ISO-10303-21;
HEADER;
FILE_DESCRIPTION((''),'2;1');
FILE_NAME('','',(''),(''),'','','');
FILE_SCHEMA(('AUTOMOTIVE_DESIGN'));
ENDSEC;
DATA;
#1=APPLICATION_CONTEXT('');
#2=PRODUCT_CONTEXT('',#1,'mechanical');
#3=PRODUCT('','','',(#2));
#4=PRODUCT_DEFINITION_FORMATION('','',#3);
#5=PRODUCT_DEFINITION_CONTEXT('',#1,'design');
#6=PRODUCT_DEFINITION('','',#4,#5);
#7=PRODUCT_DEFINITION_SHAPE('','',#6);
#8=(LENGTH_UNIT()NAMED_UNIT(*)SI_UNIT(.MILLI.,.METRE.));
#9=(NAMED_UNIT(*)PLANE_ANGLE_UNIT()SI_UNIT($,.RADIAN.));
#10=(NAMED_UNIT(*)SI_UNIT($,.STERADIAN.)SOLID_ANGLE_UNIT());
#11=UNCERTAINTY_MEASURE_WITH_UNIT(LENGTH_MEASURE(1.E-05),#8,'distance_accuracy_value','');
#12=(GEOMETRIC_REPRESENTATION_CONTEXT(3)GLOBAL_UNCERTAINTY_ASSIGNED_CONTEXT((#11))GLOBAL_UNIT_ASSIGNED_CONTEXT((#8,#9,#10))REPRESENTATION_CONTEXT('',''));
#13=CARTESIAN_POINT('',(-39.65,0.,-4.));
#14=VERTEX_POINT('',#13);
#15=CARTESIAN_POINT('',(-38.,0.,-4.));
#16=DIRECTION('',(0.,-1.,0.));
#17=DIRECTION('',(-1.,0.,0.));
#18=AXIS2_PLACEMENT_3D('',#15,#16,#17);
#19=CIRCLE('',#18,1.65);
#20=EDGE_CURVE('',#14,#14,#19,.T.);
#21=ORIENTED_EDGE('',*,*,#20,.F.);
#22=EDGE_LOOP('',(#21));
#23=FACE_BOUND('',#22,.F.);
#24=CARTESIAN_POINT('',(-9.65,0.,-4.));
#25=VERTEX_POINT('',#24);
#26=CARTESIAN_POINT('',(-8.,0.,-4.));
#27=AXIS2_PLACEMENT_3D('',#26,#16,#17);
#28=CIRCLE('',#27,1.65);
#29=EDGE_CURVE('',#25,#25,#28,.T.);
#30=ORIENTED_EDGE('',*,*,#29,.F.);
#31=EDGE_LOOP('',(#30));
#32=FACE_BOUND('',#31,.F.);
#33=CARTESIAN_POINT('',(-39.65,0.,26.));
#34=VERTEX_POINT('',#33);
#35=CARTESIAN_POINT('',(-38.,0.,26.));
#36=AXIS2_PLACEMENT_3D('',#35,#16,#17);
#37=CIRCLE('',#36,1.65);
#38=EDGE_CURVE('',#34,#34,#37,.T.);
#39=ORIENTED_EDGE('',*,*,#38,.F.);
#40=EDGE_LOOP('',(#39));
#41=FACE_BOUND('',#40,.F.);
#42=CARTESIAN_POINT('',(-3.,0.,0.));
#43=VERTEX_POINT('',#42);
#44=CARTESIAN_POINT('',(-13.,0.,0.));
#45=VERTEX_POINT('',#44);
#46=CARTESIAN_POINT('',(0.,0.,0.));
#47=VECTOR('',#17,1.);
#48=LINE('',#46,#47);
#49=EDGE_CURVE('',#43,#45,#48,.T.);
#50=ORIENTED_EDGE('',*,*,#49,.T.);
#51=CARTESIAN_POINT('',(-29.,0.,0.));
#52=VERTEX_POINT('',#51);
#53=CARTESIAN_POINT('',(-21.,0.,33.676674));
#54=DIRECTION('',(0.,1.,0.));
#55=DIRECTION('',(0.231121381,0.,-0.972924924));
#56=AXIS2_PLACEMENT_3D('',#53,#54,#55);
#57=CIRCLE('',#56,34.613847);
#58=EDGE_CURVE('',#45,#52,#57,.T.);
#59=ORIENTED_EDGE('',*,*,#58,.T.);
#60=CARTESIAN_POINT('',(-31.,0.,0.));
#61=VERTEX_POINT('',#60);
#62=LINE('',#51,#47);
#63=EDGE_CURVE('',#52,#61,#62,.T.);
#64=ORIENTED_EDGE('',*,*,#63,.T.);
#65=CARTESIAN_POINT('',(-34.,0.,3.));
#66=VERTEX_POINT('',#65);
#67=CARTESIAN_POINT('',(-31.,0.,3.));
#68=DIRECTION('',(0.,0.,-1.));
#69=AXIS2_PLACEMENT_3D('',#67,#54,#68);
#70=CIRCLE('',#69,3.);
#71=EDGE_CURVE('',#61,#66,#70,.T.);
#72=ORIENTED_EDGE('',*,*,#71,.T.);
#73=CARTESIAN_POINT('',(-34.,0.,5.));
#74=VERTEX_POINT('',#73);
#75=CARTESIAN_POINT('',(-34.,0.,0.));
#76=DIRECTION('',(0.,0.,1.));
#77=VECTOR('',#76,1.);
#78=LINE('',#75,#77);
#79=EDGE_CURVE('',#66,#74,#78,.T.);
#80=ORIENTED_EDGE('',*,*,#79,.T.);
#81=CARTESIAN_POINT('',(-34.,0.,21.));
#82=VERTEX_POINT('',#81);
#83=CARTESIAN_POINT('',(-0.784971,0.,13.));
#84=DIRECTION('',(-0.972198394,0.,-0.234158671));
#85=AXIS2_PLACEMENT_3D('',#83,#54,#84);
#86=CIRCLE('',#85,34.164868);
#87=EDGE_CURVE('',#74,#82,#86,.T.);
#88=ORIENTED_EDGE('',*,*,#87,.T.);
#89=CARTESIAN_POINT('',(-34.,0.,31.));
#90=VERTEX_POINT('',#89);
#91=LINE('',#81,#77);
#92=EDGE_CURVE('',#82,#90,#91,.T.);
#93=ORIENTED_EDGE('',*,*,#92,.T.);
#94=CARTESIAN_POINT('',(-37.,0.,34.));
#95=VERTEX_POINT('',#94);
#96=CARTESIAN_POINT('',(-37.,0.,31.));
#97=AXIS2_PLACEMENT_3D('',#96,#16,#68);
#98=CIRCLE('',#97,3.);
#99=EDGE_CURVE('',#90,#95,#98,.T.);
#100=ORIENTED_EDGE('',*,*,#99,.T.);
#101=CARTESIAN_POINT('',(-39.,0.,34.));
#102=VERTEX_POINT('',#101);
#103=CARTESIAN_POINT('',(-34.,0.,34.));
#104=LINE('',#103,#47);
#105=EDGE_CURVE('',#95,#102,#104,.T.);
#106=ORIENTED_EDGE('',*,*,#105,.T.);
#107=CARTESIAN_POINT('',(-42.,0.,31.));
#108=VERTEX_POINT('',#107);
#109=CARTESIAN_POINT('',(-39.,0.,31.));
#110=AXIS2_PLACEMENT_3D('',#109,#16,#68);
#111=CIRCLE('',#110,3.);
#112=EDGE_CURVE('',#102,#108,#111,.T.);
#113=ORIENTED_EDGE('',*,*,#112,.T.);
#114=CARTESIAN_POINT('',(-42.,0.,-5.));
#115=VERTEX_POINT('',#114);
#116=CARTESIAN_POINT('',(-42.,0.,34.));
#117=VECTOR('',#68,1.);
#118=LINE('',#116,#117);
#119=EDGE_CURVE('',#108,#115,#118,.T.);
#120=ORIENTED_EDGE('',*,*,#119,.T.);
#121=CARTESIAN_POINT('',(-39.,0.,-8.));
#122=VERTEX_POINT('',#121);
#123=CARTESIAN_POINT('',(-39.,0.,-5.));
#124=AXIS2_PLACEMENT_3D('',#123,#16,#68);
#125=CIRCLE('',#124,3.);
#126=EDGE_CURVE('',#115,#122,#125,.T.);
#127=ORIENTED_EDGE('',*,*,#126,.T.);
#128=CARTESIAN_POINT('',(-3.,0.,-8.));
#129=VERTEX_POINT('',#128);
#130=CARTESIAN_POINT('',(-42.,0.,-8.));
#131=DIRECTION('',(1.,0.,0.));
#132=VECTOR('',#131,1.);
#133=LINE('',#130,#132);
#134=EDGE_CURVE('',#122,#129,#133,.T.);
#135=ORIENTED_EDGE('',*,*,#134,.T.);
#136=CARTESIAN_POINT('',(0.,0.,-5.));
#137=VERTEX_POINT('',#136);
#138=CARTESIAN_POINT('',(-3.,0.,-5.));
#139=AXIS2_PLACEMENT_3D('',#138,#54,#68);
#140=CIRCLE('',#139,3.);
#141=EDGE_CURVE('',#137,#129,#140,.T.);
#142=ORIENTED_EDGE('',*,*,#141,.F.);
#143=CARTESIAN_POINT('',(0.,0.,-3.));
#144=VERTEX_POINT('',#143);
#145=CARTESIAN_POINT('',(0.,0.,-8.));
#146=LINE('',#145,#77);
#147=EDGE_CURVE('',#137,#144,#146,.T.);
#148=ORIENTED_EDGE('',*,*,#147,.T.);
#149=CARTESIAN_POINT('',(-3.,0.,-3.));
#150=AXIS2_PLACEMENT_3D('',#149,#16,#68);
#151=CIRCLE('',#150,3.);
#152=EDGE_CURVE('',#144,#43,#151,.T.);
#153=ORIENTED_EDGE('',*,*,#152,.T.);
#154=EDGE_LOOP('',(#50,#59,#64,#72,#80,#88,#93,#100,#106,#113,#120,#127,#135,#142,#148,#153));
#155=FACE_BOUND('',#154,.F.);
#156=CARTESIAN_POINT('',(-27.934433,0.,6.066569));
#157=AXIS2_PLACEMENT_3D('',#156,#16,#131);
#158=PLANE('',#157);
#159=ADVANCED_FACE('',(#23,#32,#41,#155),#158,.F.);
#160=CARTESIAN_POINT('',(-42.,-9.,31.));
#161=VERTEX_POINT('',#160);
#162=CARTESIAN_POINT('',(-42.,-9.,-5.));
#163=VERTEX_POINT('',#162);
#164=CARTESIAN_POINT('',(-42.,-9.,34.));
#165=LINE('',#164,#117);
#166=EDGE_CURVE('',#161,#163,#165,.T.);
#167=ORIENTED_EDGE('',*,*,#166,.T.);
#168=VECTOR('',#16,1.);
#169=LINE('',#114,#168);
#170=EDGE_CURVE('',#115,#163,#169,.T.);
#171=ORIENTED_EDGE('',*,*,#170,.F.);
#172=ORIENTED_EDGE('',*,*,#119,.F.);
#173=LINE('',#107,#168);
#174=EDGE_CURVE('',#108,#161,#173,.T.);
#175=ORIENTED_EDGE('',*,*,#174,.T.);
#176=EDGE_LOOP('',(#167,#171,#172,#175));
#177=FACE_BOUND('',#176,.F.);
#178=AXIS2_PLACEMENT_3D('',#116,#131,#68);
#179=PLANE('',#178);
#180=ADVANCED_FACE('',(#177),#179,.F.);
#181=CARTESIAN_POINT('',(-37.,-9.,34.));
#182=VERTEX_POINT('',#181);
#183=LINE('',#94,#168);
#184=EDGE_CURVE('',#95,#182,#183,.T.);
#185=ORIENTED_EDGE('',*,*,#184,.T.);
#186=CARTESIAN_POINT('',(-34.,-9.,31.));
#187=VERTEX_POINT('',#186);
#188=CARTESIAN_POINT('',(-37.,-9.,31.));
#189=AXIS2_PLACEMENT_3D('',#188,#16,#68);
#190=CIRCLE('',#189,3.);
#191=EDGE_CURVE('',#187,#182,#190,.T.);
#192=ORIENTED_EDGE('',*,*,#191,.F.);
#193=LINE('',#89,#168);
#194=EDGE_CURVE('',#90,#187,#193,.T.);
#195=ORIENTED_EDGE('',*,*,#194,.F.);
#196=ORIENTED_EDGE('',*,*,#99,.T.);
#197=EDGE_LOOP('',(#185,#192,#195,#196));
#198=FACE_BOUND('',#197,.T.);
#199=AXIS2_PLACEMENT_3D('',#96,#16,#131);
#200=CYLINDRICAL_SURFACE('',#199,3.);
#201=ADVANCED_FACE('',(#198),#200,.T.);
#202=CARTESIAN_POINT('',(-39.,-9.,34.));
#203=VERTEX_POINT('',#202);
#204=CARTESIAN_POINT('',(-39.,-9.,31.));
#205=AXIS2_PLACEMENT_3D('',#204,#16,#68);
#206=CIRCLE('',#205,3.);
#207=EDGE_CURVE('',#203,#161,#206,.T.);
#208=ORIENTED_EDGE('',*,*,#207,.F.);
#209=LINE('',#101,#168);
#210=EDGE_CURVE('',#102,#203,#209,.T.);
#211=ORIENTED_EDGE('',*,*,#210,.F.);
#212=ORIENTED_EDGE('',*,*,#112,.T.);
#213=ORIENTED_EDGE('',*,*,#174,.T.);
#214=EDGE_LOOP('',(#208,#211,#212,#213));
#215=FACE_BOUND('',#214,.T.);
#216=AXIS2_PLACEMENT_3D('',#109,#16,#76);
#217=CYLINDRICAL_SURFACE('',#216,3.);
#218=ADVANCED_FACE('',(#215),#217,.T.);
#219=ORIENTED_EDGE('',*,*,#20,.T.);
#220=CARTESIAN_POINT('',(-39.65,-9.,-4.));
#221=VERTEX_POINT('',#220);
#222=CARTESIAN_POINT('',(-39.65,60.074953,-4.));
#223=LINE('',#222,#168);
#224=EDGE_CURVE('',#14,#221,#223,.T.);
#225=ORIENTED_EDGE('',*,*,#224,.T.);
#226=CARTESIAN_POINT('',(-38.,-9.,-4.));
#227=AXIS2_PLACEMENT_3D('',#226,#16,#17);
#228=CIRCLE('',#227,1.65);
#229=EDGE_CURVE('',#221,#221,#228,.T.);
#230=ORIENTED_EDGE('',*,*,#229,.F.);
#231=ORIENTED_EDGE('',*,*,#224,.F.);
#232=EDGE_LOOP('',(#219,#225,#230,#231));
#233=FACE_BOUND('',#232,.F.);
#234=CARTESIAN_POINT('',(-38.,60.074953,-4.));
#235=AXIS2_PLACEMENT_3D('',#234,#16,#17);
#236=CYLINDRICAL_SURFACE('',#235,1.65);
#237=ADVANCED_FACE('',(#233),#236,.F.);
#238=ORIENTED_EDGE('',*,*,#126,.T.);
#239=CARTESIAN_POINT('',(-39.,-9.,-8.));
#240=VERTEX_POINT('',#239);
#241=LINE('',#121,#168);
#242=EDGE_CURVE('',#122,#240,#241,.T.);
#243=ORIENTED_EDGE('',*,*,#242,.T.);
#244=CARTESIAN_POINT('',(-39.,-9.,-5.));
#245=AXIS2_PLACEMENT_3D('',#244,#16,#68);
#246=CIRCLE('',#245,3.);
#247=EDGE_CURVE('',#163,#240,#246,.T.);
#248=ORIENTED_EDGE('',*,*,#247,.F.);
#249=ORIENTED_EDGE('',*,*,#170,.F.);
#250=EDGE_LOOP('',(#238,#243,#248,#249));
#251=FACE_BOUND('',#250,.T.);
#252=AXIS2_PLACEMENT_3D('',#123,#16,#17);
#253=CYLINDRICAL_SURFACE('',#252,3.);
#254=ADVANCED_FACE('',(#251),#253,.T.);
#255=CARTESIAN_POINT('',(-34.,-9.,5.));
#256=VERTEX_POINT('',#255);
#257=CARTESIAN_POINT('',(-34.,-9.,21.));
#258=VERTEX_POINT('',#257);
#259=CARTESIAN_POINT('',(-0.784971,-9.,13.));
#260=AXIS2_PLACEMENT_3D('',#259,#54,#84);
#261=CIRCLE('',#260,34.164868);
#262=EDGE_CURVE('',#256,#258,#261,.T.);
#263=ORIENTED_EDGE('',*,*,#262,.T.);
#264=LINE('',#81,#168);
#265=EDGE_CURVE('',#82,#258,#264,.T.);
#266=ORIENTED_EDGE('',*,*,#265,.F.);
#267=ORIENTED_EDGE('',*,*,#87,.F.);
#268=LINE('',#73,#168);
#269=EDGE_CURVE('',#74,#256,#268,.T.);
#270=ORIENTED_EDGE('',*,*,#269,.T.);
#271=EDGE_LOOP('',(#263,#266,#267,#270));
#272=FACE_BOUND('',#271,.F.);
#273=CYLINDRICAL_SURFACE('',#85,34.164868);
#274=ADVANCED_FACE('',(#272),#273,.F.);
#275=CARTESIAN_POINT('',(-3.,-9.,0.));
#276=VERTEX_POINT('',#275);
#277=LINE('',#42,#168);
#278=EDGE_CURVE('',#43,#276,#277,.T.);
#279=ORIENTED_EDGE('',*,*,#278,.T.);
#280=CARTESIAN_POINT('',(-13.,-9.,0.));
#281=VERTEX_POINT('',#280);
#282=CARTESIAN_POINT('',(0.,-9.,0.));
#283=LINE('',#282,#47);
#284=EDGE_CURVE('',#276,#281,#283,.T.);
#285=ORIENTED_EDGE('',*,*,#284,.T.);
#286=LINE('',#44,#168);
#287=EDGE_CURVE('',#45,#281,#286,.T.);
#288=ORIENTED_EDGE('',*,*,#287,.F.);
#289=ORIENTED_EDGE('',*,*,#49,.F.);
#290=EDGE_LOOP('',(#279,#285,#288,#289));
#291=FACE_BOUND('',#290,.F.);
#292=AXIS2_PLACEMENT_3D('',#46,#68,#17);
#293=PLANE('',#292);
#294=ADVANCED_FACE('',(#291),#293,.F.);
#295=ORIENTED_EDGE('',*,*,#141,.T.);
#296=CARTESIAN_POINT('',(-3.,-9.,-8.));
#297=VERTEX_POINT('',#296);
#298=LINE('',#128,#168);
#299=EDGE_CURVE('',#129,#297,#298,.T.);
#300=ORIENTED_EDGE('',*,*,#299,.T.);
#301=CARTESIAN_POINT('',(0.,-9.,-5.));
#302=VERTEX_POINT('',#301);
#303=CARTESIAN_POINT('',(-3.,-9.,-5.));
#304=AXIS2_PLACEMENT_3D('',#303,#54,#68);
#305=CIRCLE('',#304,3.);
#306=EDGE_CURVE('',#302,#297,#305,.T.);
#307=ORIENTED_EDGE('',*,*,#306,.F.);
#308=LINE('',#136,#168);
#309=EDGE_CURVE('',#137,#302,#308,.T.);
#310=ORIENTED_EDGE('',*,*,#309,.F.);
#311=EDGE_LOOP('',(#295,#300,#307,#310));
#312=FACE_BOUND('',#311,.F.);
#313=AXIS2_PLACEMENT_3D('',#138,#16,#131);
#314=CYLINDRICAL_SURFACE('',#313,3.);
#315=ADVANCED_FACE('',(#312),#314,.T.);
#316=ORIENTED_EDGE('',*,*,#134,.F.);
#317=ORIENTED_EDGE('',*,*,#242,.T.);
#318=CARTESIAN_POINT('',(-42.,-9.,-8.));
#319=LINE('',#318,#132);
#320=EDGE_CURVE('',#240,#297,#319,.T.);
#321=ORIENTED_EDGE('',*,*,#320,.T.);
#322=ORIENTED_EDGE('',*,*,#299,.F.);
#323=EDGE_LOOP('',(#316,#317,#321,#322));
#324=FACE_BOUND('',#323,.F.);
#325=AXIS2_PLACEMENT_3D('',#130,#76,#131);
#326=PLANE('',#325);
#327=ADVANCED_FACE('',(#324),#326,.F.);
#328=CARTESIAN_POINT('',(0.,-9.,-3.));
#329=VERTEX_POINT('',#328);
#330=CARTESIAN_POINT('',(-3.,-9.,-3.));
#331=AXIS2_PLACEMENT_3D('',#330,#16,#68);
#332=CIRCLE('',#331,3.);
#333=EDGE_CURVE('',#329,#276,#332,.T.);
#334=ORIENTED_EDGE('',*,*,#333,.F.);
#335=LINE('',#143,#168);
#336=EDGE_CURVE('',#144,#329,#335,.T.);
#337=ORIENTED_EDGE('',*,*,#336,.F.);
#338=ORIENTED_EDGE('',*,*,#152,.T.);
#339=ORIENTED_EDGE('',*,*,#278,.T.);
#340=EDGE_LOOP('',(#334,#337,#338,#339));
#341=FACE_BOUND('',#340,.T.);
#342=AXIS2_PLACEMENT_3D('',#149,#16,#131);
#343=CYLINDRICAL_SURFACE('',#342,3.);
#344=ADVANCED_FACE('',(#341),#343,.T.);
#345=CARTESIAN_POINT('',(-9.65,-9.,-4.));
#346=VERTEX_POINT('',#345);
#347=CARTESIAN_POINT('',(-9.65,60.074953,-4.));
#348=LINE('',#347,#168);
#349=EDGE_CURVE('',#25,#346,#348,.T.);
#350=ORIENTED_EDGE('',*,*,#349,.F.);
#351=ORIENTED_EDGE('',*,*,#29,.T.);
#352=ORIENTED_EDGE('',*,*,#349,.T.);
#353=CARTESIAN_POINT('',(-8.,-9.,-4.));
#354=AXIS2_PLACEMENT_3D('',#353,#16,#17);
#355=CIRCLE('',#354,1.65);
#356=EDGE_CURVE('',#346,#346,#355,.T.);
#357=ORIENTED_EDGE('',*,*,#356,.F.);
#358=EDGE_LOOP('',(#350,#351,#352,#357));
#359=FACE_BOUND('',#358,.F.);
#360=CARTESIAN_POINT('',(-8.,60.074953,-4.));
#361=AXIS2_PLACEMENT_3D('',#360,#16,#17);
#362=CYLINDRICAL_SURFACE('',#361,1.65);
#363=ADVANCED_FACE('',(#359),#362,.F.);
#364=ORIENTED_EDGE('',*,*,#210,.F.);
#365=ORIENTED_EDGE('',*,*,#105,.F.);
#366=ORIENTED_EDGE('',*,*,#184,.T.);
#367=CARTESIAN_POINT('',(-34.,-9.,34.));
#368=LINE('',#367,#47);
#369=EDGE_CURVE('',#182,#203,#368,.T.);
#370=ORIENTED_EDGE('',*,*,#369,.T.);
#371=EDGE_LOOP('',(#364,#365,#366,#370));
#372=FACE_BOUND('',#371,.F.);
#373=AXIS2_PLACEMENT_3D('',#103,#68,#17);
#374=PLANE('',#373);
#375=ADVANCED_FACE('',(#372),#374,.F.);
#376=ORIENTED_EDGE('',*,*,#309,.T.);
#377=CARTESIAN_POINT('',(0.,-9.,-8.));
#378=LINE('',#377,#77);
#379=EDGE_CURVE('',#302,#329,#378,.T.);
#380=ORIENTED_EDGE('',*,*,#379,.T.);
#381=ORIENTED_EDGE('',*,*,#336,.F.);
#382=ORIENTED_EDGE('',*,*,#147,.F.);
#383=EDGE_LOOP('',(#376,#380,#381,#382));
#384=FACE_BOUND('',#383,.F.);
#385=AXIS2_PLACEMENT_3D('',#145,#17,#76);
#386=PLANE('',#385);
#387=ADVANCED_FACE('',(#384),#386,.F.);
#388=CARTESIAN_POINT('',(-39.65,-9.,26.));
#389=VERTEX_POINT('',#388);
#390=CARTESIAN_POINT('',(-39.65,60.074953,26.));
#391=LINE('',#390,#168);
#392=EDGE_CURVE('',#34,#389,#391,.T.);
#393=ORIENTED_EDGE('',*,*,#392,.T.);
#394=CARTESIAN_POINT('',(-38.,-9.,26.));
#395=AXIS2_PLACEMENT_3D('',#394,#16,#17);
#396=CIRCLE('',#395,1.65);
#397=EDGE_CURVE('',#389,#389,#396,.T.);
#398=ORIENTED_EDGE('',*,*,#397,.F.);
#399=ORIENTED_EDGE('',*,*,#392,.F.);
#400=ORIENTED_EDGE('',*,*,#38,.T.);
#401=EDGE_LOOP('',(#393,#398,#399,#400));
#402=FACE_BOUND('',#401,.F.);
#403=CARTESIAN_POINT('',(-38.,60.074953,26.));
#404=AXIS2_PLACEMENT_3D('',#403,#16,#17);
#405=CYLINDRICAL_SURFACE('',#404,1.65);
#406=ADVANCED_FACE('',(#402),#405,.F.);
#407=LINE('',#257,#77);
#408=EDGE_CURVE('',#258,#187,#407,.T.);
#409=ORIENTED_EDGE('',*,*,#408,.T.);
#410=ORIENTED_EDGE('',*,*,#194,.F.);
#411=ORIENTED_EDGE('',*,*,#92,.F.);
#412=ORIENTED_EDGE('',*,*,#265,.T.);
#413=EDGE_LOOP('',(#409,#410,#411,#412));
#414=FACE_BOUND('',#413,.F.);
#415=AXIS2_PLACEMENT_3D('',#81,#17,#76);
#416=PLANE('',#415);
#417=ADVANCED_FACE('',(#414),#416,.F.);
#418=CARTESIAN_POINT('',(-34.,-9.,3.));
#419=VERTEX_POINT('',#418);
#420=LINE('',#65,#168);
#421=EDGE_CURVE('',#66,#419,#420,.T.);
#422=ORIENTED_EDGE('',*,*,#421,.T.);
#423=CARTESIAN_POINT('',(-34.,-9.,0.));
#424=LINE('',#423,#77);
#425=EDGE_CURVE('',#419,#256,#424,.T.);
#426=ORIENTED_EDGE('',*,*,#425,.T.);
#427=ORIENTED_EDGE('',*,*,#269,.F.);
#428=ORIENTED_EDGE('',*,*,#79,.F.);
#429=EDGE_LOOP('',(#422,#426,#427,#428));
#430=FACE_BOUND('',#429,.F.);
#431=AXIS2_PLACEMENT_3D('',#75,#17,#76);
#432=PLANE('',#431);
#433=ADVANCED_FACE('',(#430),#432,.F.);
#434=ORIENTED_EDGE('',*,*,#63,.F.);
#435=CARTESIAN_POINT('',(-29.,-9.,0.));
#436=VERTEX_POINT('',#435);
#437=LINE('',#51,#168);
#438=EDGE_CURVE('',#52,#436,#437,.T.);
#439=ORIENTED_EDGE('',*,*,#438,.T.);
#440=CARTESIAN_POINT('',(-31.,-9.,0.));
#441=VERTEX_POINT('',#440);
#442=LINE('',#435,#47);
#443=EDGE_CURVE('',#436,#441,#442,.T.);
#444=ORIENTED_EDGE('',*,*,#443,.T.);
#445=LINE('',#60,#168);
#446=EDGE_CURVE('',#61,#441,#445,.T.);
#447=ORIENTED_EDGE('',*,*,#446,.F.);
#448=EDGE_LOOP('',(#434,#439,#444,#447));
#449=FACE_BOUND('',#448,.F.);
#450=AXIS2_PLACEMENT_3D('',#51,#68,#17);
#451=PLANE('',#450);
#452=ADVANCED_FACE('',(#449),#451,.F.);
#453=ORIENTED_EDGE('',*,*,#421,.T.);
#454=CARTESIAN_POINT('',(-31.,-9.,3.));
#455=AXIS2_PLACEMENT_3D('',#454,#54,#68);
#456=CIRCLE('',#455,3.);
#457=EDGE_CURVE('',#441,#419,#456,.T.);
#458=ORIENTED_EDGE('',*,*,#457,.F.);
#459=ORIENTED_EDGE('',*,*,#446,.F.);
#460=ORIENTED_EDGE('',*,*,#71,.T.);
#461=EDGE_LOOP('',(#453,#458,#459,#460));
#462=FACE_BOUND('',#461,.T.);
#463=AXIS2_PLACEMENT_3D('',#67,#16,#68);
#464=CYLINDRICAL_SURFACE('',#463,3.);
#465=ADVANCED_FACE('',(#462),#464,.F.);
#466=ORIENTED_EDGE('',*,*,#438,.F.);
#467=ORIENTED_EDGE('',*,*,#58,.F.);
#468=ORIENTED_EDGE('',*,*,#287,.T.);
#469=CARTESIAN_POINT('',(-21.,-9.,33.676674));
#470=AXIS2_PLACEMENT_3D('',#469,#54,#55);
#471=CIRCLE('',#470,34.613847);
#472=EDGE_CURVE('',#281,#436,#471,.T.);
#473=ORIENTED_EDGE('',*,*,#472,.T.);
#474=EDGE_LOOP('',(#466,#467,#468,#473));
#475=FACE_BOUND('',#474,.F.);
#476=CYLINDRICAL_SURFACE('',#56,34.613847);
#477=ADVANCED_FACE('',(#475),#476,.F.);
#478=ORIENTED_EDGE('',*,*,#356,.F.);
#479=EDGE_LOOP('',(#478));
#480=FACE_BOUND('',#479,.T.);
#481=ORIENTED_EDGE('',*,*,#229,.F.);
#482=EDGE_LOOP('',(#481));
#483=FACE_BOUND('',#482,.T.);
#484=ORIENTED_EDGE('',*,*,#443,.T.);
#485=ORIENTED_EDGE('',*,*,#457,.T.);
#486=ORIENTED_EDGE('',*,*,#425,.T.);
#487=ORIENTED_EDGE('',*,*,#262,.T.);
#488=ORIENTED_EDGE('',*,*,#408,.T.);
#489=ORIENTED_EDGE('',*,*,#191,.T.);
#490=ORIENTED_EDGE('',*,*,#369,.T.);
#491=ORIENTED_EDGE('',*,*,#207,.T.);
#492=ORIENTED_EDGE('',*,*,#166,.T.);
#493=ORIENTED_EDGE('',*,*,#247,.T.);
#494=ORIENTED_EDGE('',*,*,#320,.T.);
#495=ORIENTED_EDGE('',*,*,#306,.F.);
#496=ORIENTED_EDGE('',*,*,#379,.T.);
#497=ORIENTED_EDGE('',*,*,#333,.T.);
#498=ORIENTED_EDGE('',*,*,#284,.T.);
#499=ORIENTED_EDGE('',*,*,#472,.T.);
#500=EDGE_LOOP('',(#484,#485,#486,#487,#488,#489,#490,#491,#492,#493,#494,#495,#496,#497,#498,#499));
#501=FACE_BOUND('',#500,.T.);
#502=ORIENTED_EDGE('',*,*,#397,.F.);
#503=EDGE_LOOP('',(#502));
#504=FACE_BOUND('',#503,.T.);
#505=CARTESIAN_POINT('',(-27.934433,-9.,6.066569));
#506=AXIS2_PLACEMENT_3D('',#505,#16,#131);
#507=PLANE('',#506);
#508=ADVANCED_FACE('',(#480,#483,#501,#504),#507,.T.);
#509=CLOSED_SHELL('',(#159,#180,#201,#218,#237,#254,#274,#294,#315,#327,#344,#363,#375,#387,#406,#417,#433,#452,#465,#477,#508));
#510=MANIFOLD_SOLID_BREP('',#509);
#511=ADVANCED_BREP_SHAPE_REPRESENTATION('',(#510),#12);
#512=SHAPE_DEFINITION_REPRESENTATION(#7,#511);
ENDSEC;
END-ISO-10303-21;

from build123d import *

# Parameters (mm, degrees)
F1_DEPTH = 9
F2_R     = 3
F3_D     = 3.3


with BuildPart() as f1:
    # F0 (on Front) → F1 (new body)
    with BuildSketch(Plane.XZ):
        with BuildLine():
            Line((0, -8), (0, 0))
            Line((0, 0), (-13, 0))
            ThreePointArc((-13, 0), (-21, -0.9371725321), (-29, 0))
            Line((-29, 0), (-34, 0))
            Line((-34, 0), (-34, 5))
            ThreePointArc((-34, 5), (-34.9498381987, 13), (-34, 21))
            Line((-34, 21), (-34, 34))
            Line((-34, 34), (-42, 34))
            Line((-42, 34), (-42, 0))
            Line((-42, 0), (-42, -8))
            Line((-42, -8), (0, -8))
        make_face()
    extrude(amount=F1_DEPTH)

    # F2
    f2_edges = [f1.edges().sort_by_distance(p)[0] for p in [
        (-34, -4.5, 34),
        (-42, -4.5, 34),
        (0, -4.5, 0),
        (0, -4.5, -8),
        (-34, -4.5, 0),
        (-42, -4.5, -8),
    ]]
    fillet(f2_edges, radius=F2_R)

    # F3 (through all)
    with Locations(Plane(origin=(0, 0, 0), x_dir=(1, 0, 0), z_dir=(0, 1, 0))):
        with Locations((-38, -26), (-38, 4), (-8, 4)):
            Hole(F3_D / 2)


solid = f1.part
